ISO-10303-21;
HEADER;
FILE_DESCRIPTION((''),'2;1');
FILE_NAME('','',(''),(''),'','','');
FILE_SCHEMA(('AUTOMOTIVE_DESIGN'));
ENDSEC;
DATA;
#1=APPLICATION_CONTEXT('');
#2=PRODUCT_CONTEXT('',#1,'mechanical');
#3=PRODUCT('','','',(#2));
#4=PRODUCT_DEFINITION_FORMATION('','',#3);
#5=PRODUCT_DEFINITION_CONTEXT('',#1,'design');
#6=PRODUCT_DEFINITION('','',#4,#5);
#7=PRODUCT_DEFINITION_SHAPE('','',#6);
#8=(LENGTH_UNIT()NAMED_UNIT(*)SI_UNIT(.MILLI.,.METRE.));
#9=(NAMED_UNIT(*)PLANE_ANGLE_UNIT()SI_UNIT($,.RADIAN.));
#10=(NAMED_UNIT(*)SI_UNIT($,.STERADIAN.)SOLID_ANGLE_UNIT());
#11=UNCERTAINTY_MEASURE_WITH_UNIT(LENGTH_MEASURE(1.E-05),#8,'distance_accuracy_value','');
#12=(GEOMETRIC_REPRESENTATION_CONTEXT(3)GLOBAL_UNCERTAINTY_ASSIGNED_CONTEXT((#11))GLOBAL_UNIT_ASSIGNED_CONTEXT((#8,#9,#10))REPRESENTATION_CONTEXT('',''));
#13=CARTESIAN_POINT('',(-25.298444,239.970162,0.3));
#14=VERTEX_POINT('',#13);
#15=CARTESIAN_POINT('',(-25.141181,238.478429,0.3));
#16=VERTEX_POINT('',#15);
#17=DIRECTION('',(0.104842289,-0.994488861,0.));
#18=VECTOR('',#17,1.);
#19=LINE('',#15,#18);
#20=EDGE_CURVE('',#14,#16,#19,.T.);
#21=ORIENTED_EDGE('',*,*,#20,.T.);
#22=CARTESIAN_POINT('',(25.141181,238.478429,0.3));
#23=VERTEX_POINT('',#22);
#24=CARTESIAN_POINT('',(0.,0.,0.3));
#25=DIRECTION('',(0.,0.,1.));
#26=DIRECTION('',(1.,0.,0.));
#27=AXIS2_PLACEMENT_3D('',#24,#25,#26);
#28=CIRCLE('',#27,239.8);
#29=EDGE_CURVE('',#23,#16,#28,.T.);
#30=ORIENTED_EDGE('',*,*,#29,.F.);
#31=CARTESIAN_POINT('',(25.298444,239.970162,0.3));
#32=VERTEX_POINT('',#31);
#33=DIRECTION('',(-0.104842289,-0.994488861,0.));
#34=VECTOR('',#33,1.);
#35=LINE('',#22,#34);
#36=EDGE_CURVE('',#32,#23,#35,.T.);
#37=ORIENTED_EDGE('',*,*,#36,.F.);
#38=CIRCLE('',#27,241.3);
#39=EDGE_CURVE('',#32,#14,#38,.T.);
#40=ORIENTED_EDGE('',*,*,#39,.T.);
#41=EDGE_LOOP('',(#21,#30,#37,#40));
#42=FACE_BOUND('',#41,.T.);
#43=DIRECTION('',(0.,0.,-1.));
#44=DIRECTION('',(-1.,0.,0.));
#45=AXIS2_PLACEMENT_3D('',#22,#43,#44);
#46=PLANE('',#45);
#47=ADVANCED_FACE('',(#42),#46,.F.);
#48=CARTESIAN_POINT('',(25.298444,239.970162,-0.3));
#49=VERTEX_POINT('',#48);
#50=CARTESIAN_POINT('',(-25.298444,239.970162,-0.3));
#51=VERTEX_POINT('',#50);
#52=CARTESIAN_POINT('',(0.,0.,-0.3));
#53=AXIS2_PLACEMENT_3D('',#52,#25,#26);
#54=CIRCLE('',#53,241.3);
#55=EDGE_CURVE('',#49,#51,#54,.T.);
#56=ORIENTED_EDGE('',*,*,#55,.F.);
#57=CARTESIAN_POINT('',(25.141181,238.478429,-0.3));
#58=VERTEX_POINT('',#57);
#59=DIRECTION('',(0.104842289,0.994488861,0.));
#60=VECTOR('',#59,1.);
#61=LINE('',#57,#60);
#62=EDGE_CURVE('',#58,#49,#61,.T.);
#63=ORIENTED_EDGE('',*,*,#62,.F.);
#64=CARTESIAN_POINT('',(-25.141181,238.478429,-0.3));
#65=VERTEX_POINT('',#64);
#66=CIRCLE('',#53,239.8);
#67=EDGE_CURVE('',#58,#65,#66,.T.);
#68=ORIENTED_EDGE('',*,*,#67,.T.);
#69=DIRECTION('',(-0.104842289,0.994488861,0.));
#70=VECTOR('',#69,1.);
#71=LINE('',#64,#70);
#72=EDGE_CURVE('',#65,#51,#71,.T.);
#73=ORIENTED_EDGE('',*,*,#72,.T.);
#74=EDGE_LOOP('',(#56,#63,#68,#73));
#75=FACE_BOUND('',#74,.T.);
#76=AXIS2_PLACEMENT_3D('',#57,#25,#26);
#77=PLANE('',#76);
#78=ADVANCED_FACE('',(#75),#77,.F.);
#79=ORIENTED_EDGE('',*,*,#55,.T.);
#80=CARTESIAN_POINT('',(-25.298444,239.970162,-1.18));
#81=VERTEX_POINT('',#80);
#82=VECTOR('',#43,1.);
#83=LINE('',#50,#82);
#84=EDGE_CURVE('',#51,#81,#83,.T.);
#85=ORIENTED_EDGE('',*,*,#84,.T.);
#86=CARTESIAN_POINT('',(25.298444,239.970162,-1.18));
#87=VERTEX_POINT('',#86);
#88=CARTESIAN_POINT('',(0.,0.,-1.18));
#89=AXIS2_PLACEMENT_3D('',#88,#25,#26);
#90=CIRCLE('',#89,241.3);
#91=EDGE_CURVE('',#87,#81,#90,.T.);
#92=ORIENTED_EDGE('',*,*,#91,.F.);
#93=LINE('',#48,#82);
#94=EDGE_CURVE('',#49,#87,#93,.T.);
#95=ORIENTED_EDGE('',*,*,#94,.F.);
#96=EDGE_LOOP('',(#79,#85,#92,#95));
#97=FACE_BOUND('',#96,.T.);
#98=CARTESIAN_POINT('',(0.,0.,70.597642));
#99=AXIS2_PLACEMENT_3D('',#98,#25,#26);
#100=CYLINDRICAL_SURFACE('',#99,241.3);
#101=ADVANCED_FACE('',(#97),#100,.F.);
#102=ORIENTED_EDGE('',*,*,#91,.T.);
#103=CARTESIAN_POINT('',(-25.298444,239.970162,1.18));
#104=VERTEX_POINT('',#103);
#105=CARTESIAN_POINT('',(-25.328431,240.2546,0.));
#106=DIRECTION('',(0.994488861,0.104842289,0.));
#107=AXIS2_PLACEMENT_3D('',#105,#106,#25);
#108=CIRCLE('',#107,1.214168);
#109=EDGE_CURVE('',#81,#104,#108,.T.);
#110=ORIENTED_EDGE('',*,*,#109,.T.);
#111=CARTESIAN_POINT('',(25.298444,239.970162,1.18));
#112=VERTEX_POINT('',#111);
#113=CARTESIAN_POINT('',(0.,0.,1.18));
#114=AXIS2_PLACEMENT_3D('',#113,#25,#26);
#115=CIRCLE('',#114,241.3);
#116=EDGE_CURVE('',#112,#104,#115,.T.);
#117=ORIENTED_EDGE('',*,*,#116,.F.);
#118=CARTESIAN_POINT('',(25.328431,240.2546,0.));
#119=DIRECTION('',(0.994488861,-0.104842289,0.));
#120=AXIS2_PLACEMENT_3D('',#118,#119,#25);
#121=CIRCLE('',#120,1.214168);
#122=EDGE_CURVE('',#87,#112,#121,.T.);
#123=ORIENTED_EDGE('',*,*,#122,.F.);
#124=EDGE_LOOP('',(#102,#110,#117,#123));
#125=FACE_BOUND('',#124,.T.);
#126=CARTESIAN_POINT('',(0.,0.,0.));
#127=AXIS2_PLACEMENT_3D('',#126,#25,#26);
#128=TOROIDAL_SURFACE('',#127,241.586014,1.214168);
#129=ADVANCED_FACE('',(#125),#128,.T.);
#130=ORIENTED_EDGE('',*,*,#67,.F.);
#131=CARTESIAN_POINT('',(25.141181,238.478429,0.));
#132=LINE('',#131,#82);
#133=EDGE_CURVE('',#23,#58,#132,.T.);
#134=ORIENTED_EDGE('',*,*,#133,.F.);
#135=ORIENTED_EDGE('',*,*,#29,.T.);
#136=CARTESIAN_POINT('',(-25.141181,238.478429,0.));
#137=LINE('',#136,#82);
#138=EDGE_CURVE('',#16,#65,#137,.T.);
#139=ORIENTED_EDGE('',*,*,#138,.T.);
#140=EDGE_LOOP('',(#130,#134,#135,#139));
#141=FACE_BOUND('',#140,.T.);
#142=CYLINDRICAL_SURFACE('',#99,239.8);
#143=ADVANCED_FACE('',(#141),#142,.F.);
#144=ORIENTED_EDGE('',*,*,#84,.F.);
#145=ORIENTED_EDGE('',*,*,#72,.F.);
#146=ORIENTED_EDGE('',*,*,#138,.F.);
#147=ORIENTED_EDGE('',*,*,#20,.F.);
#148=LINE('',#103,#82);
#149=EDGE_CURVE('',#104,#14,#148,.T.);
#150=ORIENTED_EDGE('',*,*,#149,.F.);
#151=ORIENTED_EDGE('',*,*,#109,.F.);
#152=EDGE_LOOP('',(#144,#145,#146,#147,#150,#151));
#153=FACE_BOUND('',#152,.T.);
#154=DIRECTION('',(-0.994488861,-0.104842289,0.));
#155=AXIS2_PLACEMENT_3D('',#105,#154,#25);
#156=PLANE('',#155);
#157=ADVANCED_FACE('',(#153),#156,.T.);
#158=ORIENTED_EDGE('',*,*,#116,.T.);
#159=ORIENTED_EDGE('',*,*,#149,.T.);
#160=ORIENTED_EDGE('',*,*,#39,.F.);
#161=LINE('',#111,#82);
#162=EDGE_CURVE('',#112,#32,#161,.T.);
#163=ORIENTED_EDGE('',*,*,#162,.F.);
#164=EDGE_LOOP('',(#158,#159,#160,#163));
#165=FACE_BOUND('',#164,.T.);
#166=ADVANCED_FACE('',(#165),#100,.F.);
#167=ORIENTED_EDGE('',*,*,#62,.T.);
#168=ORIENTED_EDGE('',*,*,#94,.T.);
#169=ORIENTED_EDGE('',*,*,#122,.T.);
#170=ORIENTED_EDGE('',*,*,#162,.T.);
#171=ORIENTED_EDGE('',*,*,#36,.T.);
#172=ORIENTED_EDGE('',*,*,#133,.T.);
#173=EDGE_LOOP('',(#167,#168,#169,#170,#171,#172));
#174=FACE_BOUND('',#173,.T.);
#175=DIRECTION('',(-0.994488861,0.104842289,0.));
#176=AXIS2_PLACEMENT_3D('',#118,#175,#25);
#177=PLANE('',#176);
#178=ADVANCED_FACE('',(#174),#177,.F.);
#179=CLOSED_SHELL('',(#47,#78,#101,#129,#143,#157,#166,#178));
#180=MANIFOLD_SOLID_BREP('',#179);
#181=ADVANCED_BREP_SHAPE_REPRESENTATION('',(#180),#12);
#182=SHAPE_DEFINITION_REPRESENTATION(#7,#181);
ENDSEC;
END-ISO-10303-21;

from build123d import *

# Parameters (mm, degrees)
REVOLVE1_ANGLE           = 6.018080225
REVOLVE1_OTHER_WAY_ANGLE = 6.018080225


with BuildPart() as part:
    # Sketch2 → Revolve1 (revolve)
    with BuildSketch(Plane(origin=(0, 0, 0), x_dir=(0, 0, -1), z_dir=(1, 0, 0))):
        with BuildLine():
            Line((0, 239.8), (0.3, 239.8))
            Line((0.3, 239.8), (0.3, 241.3))
            Line((0.3, 241.3), (1.18, 241.3))
            ThreePointArc((1.18, 241.3), (0, 242.800182019), (-1.18, 241.3))
            Line((-1.18, 241.3), (-0.3, 241.3))
            Line((-0.3, 241.3), (-0.3, 239.8))
            Line((-0.3, 239.8), (0, 239.8))
        make_face()
    revolve(axis=Axis((0, 0, 70.597641597), (0, 0, -1)), revolution_arc=REVOLVE1_ANGLE)

    # Sketch2 → Revolve1 other way (revolve)
    with BuildSketch(Plane(origin=(0, 0, 0), x_dir=(0, 0, -1), z_dir=(1, 0, 0))):
        with BuildLine():
            Line((0, 239.8), (0.3, 239.8))
            Line((0.3, 239.8), (0.3, 241.3))
            Line((0.3, 241.3), (1.18, 241.3))
            ThreePointArc((1.18, 241.3), (0, 242.800182019), (-1.18, 241.3))
            Line((-1.18, 241.3), (-0.3, 241.3))
            Line((-0.3, 241.3), (-0.3, 239.8))
            Line((-0.3, 239.8), (0, 239.8))
        make_face()
    revolve(axis=Axis((0, 0, 70.597641597), (0, 0, 1)), revolution_arc=REVOLVE1_OTHER_WAY_ANGLE)


solid = part.part
